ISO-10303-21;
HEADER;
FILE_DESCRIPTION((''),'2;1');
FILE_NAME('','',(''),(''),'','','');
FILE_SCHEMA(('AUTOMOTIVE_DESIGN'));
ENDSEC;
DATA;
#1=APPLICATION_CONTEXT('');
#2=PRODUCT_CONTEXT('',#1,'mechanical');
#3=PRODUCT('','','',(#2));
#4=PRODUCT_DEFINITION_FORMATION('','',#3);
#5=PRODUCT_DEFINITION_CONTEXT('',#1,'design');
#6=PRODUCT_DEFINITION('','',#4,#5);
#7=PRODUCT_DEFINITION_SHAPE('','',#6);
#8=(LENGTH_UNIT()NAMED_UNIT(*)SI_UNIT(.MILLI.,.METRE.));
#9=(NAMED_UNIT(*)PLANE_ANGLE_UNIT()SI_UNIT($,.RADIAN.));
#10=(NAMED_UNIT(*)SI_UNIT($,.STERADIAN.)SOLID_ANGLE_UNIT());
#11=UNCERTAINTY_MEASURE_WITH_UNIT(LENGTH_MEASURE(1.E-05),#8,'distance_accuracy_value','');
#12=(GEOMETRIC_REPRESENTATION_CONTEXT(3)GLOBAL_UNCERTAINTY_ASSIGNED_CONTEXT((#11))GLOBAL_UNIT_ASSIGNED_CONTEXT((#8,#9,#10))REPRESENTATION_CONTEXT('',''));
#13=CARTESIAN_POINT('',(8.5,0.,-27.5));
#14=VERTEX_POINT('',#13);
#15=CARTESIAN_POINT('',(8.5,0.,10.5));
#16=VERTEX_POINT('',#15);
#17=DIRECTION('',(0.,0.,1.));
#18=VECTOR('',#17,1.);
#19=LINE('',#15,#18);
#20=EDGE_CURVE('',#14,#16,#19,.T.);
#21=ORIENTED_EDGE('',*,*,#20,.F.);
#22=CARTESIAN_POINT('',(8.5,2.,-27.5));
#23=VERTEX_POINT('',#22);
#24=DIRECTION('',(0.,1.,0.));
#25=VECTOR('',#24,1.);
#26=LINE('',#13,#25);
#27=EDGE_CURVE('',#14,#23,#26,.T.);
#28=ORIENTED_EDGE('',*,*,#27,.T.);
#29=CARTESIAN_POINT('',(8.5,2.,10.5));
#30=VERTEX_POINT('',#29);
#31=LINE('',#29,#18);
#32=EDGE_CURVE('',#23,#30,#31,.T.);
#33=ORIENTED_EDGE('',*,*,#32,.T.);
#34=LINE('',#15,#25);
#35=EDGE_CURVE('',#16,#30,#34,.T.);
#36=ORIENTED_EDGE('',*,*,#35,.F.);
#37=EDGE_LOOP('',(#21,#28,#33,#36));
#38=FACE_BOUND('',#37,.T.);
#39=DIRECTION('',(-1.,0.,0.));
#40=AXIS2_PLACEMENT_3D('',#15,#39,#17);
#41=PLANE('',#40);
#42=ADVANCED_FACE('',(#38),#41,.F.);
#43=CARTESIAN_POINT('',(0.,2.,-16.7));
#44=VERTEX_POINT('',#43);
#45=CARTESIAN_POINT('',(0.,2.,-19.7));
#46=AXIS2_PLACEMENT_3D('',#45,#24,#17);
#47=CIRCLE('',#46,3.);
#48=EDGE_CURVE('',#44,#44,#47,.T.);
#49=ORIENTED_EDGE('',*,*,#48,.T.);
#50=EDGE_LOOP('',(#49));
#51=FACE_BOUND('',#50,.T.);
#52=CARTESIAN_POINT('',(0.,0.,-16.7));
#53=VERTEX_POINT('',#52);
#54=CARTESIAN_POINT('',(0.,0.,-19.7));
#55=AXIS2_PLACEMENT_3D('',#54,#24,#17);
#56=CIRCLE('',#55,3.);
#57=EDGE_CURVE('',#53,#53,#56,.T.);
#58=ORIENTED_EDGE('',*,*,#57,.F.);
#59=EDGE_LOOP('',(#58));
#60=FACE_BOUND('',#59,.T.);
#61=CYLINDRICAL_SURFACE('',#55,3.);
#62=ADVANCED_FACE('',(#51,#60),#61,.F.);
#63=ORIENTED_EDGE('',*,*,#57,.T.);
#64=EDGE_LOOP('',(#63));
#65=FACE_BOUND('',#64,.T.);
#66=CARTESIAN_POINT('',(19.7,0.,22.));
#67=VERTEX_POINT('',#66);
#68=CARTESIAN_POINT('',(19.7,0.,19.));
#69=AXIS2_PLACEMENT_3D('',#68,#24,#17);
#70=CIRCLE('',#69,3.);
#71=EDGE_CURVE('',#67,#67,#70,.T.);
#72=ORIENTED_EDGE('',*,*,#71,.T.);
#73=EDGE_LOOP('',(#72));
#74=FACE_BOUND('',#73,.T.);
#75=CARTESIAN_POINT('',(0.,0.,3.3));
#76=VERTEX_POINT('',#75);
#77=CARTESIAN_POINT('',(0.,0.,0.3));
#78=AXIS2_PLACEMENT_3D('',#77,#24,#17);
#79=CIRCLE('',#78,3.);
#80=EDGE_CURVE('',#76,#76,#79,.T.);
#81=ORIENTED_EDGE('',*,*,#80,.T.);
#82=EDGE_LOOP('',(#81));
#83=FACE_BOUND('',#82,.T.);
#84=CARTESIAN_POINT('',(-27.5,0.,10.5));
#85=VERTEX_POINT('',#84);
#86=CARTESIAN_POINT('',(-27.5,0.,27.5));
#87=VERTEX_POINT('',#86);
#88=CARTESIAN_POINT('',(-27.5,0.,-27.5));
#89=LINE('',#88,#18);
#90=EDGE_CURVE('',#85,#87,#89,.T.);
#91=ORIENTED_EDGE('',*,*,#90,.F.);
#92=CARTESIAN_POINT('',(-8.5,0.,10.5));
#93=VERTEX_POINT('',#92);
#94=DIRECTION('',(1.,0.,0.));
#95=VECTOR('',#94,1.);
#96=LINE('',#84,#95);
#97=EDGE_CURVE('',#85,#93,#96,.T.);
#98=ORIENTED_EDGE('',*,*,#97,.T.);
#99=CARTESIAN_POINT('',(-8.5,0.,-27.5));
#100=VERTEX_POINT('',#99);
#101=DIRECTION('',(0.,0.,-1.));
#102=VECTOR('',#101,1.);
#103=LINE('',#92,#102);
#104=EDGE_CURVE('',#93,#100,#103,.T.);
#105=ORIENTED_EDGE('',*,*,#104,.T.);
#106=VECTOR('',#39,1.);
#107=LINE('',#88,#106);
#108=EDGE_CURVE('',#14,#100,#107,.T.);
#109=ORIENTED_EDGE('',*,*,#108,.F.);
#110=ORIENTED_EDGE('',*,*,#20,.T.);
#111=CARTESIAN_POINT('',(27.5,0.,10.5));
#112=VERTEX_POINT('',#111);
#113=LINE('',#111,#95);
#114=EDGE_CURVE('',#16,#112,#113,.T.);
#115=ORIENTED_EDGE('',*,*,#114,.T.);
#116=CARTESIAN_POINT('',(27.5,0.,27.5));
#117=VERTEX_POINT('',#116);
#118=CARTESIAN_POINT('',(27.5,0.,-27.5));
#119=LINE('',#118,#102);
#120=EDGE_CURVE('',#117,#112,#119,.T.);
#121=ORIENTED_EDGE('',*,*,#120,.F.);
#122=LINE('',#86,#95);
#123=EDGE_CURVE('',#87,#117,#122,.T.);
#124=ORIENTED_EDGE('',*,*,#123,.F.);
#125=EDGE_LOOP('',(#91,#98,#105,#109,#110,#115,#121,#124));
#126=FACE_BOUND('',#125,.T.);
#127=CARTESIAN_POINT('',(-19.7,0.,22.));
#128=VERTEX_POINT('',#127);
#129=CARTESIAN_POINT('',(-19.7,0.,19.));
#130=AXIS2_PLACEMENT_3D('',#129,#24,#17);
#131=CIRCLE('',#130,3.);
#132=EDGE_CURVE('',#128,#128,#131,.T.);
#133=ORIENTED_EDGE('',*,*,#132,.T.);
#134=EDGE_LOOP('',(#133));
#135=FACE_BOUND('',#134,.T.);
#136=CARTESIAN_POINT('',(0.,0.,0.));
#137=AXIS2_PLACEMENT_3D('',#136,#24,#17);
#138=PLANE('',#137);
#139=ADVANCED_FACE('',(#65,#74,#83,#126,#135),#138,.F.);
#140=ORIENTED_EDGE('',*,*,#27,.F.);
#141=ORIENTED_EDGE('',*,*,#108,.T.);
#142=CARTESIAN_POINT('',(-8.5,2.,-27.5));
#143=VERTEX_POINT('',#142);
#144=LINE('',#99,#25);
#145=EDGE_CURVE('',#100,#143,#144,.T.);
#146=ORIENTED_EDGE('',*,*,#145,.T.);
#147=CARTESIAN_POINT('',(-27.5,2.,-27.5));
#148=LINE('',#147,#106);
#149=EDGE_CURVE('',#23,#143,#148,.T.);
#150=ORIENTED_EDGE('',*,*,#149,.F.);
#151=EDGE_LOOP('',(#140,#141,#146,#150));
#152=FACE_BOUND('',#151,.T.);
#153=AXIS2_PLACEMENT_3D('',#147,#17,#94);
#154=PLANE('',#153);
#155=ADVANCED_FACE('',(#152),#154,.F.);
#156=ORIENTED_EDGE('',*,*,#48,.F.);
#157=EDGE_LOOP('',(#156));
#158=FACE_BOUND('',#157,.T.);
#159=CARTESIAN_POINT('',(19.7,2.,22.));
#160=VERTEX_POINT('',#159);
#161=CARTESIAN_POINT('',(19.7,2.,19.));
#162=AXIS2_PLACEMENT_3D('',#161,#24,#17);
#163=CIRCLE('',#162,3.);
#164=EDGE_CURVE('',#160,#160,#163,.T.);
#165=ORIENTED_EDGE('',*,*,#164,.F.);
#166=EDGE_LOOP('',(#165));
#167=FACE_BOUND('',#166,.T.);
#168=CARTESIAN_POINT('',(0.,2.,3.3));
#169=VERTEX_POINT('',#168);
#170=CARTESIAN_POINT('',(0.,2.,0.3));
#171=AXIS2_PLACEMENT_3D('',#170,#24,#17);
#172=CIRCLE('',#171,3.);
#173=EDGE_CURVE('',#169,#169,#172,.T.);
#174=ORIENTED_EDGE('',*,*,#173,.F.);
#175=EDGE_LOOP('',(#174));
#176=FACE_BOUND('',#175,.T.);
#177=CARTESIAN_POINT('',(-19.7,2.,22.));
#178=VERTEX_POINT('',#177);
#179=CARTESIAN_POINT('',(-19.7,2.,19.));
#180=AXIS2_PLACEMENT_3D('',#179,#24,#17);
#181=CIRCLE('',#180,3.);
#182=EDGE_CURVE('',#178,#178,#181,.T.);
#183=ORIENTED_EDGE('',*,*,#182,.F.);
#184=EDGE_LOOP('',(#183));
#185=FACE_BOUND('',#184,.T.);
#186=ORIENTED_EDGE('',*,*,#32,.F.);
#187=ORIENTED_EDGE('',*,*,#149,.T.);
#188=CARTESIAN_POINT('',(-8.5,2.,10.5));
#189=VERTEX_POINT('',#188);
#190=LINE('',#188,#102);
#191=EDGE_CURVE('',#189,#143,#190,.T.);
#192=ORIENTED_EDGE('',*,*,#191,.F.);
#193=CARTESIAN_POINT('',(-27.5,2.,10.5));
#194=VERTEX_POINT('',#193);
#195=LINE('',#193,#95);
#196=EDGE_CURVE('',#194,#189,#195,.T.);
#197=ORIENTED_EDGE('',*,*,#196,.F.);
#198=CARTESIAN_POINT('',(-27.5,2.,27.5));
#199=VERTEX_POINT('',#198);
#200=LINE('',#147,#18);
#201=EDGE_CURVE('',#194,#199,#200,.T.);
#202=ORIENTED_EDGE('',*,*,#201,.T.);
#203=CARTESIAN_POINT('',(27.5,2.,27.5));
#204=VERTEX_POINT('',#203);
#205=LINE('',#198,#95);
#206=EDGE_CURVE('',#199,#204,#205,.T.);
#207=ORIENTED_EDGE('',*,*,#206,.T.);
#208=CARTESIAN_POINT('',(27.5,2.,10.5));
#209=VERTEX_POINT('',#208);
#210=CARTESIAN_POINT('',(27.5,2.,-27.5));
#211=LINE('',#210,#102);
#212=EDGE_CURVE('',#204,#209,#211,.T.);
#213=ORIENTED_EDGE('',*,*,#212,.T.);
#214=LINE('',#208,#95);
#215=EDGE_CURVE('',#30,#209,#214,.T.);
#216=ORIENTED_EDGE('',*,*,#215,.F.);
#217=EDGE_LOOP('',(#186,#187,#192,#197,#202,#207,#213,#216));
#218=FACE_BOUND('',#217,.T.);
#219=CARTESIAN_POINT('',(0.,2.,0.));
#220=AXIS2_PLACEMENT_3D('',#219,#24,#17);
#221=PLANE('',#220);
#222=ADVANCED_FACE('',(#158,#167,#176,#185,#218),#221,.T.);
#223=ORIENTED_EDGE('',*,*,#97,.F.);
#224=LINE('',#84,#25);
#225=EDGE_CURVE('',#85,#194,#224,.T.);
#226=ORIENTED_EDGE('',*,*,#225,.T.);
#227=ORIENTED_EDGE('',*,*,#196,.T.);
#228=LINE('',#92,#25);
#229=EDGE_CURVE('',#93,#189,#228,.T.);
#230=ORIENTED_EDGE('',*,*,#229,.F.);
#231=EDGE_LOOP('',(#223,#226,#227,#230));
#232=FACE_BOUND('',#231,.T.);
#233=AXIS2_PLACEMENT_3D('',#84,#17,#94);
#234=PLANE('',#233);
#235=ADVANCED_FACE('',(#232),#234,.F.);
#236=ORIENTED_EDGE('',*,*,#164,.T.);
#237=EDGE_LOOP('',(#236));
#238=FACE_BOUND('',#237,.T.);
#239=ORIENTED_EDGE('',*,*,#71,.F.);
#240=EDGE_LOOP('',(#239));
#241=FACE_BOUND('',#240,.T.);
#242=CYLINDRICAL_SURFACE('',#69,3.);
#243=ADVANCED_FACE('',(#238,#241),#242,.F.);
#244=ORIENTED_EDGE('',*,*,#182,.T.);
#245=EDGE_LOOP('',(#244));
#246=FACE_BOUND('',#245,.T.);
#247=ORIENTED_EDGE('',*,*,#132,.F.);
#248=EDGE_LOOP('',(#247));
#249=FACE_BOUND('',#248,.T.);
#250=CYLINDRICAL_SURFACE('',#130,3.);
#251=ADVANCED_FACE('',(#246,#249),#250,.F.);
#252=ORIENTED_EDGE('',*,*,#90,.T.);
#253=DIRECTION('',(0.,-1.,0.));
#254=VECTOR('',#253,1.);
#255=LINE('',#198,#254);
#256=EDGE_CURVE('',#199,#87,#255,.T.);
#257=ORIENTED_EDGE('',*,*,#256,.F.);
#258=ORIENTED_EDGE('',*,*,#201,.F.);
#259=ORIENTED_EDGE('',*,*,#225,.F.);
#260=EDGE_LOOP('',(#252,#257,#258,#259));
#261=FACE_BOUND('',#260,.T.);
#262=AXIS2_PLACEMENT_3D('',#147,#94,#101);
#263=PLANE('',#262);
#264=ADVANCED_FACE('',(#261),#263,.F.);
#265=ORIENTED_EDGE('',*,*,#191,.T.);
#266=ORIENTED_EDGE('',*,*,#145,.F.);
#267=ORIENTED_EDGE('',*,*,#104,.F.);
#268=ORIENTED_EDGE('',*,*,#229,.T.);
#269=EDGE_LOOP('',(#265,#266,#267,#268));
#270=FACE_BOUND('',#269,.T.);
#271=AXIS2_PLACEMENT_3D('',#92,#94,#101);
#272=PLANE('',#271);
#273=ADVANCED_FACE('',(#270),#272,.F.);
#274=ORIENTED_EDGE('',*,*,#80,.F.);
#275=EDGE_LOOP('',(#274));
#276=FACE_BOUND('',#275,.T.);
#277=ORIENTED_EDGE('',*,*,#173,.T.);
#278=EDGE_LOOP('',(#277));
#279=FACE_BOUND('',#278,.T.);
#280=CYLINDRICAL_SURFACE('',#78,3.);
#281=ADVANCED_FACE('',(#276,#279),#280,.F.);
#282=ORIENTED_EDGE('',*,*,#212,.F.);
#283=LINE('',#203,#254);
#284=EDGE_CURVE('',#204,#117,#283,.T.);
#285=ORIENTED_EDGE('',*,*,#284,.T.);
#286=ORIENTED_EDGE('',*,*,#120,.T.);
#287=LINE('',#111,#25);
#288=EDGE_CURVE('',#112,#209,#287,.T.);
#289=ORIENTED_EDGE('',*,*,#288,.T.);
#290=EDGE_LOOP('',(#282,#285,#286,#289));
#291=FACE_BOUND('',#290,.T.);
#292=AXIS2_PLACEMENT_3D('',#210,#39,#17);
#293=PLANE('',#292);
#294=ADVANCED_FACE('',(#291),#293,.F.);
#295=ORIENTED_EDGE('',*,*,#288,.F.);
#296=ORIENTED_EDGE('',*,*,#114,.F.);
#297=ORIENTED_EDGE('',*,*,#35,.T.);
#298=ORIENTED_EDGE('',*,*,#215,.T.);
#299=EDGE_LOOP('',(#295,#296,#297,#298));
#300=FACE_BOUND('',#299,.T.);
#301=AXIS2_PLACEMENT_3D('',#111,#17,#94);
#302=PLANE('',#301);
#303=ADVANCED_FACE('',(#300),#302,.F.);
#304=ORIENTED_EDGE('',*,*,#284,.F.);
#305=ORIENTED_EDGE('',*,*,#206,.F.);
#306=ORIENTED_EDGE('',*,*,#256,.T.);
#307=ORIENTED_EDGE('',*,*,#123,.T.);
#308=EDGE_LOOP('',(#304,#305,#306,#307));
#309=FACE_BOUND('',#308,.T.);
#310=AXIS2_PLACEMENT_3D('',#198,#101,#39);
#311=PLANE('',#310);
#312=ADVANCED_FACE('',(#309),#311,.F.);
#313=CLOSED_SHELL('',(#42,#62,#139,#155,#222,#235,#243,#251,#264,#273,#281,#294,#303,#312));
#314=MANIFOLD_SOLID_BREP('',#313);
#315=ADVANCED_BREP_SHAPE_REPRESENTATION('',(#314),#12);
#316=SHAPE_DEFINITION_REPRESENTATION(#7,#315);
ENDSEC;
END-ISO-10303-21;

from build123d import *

# Parameters (mm, degrees)
SKETCH_1_W          = 55
SKETCH_1_H          = 55
EXTRUDE_1_DEPTH     = 2
SKETCH_2_W          = 19
SKETCH_2_H          = 38
CUT_EXTRUDE_1_DEPTH = 39.942264957
SKETCH_3_R          = 3
CUT_EXTRUDE_2_DEPTH = 39.942264957


with BuildPart() as part:
    # 草图1 → 凸台-拉伸1 (new body)
    with BuildSketch(Plane(origin=(0, 0, 0), x_dir=(1, 0, 0), z_dir=(0, 1, 0))):
        Rectangle(SKETCH_1_W, SKETCH_1_H)
    extrude(amount=EXTRUDE_1_DEPTH)

    # 草图2 → 切除-拉伸1 (cut, through all)
    with BuildSketch(Plane(origin=(0, 2, 0), x_dir=(1, 0, 0), z_dir=(0, 1, 0))):
        with Locations((-18, 8.5)):
            Rectangle(SKETCH_2_W, SKETCH_2_H)
        with Locations((18, 8.5)):
            Rectangle(SKETCH_2_W, SKETCH_2_H)
    extrude(amount=-CUT_EXTRUDE_1_DEPTH, mode=Mode.SUBTRACT)

    # 草图3 → 切除-拉伸2 (cut, through all)
    with BuildSketch(Plane(origin=(0, 2, 0), x_dir=(1, 0, 0), z_dir=(0, 1, 0))):
        with Locations(Location((-19.7, -19, 0), (0, 0, 270))):
            Circle(SKETCH_3_R)
        with Locations(Location((19.7, -19, 0), (0, 0, 270))):
            Circle(SKETCH_3_R)
        with Locations(Location((0, -0.3, 0), (0, 0, 270))):
            Circle(SKETCH_3_R)
        with Locations(Location((0, 19.7, 0), (0, 0, 270))):
            Circle(SKETCH_3_R)
    extrude(amount=-CUT_EXTRUDE_2_DEPTH, mode=Mode.SUBTRACT)


solid = part.part
